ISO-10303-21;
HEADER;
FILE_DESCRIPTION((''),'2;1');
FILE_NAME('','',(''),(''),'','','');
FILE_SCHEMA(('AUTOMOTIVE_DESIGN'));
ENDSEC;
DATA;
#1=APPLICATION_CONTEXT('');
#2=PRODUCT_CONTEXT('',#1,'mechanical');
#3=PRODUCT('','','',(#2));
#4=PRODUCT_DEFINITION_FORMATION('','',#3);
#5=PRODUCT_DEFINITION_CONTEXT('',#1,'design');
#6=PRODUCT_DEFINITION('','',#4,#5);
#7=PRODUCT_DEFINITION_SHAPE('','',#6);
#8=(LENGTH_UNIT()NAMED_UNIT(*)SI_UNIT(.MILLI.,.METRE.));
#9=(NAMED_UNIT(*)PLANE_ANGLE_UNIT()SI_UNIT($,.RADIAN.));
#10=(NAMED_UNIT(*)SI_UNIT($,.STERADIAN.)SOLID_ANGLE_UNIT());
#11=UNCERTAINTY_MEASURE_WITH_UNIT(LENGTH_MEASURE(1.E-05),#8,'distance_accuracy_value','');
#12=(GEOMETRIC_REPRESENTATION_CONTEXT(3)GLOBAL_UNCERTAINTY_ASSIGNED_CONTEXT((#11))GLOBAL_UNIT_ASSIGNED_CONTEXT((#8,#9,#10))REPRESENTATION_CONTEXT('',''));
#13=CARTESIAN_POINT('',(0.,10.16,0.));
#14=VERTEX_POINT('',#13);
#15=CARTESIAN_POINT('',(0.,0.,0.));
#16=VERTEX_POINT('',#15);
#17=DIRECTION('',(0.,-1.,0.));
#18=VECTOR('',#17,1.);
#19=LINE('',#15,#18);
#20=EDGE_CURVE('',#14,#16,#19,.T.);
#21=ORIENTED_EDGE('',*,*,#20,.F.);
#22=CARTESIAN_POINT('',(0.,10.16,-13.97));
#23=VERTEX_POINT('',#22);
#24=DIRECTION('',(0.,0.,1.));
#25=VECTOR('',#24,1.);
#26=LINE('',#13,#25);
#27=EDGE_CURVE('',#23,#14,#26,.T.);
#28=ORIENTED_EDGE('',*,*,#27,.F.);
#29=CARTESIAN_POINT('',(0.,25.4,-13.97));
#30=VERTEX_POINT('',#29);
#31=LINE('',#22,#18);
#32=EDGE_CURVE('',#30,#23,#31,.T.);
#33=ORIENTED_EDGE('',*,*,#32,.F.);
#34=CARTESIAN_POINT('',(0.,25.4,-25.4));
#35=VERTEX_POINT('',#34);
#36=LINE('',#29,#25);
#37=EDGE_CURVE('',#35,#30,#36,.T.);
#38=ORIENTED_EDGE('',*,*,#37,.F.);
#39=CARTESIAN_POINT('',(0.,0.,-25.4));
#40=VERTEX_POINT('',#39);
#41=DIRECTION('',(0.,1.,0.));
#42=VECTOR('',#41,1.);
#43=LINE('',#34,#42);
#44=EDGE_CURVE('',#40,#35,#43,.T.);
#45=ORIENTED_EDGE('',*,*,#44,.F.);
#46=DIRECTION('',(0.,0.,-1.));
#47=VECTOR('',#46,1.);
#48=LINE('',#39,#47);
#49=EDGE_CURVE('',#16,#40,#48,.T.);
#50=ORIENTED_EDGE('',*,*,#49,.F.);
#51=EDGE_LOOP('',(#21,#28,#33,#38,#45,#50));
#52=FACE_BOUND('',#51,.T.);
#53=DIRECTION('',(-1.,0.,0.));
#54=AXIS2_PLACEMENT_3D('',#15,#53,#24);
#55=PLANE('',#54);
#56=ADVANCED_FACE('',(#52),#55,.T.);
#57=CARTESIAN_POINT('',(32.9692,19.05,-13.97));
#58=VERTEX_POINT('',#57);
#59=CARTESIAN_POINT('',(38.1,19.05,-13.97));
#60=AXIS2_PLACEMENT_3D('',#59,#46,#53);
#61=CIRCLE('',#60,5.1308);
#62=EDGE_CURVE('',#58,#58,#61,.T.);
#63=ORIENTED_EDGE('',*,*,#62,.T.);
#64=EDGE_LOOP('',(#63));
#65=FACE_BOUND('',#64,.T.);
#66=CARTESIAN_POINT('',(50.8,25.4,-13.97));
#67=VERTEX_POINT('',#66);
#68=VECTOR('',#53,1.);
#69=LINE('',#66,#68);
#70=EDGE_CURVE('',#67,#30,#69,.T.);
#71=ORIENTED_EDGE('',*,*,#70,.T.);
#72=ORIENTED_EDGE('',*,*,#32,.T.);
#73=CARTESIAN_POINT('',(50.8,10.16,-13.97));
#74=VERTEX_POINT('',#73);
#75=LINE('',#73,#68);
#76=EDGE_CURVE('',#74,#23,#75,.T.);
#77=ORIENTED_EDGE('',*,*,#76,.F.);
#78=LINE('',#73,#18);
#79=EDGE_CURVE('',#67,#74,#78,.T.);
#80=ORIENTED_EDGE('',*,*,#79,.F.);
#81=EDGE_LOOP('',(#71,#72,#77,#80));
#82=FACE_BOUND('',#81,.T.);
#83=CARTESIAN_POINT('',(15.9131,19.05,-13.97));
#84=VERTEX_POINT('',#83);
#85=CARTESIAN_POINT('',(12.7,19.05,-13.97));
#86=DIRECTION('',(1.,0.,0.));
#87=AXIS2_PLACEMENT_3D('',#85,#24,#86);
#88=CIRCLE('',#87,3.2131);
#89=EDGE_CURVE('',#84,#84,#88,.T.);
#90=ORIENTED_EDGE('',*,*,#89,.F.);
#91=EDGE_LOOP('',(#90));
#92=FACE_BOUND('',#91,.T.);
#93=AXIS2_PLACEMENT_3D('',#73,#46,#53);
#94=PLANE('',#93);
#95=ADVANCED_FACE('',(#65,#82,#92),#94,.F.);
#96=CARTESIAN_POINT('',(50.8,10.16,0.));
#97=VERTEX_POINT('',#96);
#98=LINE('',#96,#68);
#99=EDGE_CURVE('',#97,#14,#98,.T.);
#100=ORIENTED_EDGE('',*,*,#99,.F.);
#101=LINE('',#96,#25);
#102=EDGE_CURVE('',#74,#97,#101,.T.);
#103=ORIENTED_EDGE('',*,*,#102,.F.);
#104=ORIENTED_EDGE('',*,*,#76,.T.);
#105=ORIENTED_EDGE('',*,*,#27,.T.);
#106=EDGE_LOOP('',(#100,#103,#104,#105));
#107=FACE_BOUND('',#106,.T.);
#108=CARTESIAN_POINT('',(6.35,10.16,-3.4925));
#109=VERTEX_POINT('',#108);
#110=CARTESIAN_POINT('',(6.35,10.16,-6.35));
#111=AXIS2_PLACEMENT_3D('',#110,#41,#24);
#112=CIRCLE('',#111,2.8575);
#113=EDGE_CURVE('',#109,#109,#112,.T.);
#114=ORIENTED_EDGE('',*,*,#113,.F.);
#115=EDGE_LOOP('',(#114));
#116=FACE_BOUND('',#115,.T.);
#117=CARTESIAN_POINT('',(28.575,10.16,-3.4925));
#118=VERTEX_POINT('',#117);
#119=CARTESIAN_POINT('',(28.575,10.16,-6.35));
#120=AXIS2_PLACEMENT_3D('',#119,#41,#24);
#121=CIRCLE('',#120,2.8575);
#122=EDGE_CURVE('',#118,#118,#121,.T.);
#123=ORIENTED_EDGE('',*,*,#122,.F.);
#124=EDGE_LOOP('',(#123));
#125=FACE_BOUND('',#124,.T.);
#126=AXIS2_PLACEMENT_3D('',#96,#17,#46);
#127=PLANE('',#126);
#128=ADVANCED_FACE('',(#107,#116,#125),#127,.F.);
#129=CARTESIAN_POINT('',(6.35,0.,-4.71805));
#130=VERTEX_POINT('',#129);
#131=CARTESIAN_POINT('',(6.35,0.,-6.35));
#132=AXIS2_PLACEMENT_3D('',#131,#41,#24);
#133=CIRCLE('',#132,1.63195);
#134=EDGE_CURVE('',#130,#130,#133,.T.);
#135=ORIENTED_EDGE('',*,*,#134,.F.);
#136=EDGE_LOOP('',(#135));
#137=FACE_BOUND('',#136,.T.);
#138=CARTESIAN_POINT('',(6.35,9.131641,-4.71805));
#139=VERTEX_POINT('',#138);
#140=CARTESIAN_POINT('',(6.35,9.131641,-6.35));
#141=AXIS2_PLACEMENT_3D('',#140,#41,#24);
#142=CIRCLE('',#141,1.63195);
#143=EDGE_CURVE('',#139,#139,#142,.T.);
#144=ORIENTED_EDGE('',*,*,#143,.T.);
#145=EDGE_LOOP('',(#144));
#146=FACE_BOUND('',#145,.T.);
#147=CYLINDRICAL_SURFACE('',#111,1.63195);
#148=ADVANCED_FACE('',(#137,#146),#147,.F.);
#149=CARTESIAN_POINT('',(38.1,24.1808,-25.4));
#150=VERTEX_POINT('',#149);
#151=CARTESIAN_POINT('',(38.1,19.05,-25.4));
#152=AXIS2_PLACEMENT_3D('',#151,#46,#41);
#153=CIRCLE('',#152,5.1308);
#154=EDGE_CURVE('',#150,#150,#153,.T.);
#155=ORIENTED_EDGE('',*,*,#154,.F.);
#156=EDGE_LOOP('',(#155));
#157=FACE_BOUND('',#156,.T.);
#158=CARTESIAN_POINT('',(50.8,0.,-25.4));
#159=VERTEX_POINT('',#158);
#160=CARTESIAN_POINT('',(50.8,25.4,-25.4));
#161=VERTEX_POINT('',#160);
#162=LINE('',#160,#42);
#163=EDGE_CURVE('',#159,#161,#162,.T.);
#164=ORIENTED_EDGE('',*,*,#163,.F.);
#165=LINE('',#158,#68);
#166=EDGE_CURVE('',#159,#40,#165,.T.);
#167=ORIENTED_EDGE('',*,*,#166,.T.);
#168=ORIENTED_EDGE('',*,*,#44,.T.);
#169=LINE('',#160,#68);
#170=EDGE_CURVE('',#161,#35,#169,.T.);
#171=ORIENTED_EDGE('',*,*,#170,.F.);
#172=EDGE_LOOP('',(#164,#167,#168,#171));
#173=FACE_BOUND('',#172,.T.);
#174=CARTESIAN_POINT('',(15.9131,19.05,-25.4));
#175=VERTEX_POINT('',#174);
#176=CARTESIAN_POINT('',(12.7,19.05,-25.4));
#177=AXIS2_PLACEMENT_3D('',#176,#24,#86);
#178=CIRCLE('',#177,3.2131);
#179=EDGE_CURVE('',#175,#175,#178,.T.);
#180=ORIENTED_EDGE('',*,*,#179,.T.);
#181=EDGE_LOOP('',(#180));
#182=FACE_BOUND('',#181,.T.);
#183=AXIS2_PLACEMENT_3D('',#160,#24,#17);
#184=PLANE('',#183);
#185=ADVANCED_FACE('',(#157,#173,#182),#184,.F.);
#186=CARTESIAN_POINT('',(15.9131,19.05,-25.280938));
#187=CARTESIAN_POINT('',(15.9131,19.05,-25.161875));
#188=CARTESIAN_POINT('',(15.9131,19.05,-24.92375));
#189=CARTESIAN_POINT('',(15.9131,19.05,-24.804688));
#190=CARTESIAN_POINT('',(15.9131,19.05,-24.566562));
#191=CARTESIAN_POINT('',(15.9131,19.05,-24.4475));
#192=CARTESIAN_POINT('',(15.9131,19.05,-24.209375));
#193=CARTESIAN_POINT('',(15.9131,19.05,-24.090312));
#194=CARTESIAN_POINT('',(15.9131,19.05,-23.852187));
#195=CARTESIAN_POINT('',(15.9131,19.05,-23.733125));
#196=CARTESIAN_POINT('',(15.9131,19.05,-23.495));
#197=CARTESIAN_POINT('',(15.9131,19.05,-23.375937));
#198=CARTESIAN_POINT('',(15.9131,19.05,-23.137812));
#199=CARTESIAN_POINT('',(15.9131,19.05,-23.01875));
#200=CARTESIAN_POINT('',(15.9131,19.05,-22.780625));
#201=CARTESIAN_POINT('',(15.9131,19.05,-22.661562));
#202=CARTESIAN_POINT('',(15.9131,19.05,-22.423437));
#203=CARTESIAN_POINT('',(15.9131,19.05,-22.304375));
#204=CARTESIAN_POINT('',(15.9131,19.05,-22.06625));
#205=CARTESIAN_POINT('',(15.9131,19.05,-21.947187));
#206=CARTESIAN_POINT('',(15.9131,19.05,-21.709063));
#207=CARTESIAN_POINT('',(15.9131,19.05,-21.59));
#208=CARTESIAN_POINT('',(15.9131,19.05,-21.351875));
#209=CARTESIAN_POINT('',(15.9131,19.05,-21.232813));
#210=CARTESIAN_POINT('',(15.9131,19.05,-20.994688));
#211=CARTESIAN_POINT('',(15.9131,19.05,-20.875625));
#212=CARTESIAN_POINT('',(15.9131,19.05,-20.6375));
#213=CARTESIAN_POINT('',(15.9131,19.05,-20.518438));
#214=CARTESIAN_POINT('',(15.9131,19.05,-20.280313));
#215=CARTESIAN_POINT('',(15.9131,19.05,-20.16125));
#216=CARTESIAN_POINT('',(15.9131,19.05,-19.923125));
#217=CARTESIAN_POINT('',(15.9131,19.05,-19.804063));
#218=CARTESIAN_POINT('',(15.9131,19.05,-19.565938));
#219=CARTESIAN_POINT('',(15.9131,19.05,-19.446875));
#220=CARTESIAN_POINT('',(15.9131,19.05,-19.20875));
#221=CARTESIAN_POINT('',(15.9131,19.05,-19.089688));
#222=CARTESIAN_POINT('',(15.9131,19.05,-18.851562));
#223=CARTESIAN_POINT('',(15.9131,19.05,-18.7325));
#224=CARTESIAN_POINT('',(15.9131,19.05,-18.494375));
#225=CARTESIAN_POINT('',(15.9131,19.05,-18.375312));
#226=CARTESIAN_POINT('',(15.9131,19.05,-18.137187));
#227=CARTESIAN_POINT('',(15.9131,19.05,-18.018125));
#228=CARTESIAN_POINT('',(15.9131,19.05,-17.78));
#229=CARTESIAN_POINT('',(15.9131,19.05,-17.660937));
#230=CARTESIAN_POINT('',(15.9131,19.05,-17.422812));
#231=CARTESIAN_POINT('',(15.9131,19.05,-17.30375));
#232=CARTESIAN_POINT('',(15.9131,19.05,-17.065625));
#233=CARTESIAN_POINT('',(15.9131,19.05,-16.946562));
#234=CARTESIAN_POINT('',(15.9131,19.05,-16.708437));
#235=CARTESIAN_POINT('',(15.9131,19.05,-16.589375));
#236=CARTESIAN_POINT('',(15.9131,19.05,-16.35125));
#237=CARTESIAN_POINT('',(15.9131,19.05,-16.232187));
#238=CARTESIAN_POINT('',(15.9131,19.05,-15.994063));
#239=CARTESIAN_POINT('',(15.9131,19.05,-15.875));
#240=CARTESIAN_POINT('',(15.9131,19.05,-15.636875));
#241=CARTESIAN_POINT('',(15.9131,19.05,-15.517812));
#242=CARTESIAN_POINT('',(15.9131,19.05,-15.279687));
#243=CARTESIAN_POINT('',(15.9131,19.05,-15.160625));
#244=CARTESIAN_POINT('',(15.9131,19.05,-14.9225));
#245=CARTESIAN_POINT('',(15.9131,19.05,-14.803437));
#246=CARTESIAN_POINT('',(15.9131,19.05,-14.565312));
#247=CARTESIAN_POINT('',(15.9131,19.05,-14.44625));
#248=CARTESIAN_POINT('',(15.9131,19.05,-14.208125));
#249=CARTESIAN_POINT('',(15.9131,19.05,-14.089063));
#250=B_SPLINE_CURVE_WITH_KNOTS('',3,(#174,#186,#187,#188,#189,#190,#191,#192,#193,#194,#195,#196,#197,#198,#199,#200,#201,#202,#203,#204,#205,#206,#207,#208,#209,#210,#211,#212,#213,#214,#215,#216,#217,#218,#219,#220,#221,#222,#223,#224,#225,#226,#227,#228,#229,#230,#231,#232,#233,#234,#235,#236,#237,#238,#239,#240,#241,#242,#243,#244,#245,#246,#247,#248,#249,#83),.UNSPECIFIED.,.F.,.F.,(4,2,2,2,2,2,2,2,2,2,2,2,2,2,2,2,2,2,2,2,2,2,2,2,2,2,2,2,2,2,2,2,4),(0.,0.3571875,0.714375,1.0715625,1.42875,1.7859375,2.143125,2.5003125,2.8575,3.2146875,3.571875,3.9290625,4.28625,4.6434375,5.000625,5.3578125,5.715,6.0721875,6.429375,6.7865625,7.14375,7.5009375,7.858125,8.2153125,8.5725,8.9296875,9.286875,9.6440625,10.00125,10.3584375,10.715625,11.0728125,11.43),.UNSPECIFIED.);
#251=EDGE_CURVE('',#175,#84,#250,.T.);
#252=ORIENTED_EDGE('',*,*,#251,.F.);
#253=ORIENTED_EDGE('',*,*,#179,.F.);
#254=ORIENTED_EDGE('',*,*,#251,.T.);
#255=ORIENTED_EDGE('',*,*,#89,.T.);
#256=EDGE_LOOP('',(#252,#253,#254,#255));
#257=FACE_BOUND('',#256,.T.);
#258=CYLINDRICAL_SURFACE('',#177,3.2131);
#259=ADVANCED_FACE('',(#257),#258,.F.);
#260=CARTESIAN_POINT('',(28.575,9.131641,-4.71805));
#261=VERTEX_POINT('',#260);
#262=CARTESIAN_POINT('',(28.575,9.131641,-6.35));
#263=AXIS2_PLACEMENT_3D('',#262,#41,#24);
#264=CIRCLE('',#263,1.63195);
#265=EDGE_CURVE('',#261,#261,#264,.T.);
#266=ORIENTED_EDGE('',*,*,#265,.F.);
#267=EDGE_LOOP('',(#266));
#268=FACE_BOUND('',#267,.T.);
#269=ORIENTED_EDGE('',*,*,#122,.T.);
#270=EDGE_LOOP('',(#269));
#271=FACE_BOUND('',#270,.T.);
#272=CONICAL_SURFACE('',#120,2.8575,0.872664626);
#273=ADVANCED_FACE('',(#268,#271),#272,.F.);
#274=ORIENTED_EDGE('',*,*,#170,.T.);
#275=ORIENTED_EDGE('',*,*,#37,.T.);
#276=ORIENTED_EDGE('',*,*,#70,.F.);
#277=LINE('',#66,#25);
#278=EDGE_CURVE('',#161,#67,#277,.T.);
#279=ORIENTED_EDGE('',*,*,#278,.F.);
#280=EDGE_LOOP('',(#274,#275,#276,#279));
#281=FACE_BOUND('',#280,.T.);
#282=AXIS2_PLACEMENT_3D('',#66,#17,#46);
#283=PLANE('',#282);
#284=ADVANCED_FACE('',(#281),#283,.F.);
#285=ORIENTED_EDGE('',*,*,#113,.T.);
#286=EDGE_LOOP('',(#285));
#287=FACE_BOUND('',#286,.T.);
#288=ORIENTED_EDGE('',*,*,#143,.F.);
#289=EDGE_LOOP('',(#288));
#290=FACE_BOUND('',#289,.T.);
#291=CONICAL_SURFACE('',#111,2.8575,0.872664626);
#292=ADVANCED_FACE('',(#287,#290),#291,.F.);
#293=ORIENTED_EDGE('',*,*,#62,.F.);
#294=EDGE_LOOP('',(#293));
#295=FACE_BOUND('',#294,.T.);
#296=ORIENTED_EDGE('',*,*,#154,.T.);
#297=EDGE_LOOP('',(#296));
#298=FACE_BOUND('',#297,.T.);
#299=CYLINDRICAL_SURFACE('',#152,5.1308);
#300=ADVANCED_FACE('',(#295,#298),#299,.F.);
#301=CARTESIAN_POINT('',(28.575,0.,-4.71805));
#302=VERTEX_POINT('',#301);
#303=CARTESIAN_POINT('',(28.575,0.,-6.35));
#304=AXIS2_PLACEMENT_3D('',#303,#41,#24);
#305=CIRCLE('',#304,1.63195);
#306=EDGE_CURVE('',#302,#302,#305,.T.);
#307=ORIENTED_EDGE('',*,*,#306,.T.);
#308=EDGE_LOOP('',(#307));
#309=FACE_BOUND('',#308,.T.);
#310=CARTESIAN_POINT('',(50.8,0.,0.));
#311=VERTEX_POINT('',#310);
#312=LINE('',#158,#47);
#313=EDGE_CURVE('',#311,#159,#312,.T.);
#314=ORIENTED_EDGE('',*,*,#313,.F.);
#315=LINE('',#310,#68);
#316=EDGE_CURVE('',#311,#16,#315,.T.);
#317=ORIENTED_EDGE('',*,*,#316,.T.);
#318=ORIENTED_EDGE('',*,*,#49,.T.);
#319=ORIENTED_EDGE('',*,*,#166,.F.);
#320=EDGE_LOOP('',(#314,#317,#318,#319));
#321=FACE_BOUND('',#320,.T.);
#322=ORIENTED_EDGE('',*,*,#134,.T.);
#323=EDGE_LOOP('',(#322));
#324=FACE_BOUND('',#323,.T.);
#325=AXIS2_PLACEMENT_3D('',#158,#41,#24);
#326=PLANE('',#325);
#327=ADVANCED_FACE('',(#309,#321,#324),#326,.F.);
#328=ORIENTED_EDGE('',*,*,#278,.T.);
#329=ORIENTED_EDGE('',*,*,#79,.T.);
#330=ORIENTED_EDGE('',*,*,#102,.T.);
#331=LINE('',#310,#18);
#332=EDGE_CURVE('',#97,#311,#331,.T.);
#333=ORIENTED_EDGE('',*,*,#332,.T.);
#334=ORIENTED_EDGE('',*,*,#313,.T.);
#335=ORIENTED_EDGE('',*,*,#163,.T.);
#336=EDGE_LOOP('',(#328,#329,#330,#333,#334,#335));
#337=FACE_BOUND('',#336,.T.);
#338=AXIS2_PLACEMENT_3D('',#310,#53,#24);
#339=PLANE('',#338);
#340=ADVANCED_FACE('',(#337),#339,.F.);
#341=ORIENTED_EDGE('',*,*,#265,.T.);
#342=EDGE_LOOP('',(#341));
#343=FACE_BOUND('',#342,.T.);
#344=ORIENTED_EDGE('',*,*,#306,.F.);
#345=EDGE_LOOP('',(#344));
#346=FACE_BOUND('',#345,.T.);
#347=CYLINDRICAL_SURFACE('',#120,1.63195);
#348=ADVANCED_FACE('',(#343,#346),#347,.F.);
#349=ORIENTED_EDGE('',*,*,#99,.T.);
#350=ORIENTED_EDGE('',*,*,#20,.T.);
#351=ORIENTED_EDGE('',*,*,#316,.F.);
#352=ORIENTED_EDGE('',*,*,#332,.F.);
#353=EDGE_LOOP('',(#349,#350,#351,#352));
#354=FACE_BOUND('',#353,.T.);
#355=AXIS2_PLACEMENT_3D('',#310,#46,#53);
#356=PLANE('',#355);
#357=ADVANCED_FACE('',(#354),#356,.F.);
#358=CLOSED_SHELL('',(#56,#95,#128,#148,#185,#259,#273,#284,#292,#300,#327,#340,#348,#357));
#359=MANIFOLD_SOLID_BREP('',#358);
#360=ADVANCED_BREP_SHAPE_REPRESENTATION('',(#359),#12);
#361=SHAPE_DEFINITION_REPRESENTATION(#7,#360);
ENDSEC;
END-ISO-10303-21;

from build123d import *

# Parameters (mm, degrees)
BOSS_EXTRUDE1_DEPTH                               = 50.8
SKETCH3_R                                         = 3.2131
CUT_EXTRUDE1_DEPTH                                = 59.488981014
CSK_FOR_4_FLAT_HEAD_MACHINE_SCREW_100_D           = 3.2639
CSK_FOR_4_FLAT_HEAD_MACHINE_SCREW_100_CSINK_D     = 5.715
CSK_FOR_4_FLAT_HEAD_MACHINE_SCREW_100_CSINK_ANGLE = 100
Y_0_404_DIAMETER_HOLE1_D                          = 10.2616


with BuildPart() as part:
    # Sketch2 → Boss-Extrude1 (new body)
    with BuildSketch(Plane(origin=(0, 0, 0), x_dir=(0, 0, -1), z_dir=(1, 0, 0))):
        Polygon((0, 0), (0, 10.16), (13.97, 10.16), (13.97, 25.4), (25.4, 25.4), (25.4, 0), align=None)
    extrude(amount=BOSS_EXTRUDE1_DEPTH)

    # Sketch3 → Cut-Extrude1 (cut, through all)
    with BuildSketch(Plane.XY.offset(-13.97)):
        with Locations((12.7, 19.05)):
            Circle(SKETCH3_R)
    extrude(amount=-CUT_EXTRUDE1_DEPTH, mode=Mode.SUBTRACT)

    # CSK for #4 Flat Head Machine Screw (100)1 (through all)
    with Locations(Plane(origin=(0, 10.16, 0), x_dir=(1, 0, 0), z_dir=(0, 1, 0))):
        with Locations((6.35, 6.35), (28.575, 6.35)):
            CounterSinkHole(CSK_FOR_4_FLAT_HEAD_MACHINE_SCREW_100_D / 2, CSK_FOR_4_FLAT_HEAD_MACHINE_SCREW_100_CSINK_D / 2, counter_sink_angle=CSK_FOR_4_FLAT_HEAD_MACHINE_SCREW_100_CSINK_ANGLE)

    # Y (0.404) Diameter Hole1 (through all)
    with Locations(Plane(origin=(0, 0, -25.4), x_dir=(-1, 0, 0), z_dir=(0, 0, -1))):
        with Locations((-38.1, 19.05)):
            Hole(Y_0_404_DIAMETER_HOLE1_D / 2)


solid = part.part
